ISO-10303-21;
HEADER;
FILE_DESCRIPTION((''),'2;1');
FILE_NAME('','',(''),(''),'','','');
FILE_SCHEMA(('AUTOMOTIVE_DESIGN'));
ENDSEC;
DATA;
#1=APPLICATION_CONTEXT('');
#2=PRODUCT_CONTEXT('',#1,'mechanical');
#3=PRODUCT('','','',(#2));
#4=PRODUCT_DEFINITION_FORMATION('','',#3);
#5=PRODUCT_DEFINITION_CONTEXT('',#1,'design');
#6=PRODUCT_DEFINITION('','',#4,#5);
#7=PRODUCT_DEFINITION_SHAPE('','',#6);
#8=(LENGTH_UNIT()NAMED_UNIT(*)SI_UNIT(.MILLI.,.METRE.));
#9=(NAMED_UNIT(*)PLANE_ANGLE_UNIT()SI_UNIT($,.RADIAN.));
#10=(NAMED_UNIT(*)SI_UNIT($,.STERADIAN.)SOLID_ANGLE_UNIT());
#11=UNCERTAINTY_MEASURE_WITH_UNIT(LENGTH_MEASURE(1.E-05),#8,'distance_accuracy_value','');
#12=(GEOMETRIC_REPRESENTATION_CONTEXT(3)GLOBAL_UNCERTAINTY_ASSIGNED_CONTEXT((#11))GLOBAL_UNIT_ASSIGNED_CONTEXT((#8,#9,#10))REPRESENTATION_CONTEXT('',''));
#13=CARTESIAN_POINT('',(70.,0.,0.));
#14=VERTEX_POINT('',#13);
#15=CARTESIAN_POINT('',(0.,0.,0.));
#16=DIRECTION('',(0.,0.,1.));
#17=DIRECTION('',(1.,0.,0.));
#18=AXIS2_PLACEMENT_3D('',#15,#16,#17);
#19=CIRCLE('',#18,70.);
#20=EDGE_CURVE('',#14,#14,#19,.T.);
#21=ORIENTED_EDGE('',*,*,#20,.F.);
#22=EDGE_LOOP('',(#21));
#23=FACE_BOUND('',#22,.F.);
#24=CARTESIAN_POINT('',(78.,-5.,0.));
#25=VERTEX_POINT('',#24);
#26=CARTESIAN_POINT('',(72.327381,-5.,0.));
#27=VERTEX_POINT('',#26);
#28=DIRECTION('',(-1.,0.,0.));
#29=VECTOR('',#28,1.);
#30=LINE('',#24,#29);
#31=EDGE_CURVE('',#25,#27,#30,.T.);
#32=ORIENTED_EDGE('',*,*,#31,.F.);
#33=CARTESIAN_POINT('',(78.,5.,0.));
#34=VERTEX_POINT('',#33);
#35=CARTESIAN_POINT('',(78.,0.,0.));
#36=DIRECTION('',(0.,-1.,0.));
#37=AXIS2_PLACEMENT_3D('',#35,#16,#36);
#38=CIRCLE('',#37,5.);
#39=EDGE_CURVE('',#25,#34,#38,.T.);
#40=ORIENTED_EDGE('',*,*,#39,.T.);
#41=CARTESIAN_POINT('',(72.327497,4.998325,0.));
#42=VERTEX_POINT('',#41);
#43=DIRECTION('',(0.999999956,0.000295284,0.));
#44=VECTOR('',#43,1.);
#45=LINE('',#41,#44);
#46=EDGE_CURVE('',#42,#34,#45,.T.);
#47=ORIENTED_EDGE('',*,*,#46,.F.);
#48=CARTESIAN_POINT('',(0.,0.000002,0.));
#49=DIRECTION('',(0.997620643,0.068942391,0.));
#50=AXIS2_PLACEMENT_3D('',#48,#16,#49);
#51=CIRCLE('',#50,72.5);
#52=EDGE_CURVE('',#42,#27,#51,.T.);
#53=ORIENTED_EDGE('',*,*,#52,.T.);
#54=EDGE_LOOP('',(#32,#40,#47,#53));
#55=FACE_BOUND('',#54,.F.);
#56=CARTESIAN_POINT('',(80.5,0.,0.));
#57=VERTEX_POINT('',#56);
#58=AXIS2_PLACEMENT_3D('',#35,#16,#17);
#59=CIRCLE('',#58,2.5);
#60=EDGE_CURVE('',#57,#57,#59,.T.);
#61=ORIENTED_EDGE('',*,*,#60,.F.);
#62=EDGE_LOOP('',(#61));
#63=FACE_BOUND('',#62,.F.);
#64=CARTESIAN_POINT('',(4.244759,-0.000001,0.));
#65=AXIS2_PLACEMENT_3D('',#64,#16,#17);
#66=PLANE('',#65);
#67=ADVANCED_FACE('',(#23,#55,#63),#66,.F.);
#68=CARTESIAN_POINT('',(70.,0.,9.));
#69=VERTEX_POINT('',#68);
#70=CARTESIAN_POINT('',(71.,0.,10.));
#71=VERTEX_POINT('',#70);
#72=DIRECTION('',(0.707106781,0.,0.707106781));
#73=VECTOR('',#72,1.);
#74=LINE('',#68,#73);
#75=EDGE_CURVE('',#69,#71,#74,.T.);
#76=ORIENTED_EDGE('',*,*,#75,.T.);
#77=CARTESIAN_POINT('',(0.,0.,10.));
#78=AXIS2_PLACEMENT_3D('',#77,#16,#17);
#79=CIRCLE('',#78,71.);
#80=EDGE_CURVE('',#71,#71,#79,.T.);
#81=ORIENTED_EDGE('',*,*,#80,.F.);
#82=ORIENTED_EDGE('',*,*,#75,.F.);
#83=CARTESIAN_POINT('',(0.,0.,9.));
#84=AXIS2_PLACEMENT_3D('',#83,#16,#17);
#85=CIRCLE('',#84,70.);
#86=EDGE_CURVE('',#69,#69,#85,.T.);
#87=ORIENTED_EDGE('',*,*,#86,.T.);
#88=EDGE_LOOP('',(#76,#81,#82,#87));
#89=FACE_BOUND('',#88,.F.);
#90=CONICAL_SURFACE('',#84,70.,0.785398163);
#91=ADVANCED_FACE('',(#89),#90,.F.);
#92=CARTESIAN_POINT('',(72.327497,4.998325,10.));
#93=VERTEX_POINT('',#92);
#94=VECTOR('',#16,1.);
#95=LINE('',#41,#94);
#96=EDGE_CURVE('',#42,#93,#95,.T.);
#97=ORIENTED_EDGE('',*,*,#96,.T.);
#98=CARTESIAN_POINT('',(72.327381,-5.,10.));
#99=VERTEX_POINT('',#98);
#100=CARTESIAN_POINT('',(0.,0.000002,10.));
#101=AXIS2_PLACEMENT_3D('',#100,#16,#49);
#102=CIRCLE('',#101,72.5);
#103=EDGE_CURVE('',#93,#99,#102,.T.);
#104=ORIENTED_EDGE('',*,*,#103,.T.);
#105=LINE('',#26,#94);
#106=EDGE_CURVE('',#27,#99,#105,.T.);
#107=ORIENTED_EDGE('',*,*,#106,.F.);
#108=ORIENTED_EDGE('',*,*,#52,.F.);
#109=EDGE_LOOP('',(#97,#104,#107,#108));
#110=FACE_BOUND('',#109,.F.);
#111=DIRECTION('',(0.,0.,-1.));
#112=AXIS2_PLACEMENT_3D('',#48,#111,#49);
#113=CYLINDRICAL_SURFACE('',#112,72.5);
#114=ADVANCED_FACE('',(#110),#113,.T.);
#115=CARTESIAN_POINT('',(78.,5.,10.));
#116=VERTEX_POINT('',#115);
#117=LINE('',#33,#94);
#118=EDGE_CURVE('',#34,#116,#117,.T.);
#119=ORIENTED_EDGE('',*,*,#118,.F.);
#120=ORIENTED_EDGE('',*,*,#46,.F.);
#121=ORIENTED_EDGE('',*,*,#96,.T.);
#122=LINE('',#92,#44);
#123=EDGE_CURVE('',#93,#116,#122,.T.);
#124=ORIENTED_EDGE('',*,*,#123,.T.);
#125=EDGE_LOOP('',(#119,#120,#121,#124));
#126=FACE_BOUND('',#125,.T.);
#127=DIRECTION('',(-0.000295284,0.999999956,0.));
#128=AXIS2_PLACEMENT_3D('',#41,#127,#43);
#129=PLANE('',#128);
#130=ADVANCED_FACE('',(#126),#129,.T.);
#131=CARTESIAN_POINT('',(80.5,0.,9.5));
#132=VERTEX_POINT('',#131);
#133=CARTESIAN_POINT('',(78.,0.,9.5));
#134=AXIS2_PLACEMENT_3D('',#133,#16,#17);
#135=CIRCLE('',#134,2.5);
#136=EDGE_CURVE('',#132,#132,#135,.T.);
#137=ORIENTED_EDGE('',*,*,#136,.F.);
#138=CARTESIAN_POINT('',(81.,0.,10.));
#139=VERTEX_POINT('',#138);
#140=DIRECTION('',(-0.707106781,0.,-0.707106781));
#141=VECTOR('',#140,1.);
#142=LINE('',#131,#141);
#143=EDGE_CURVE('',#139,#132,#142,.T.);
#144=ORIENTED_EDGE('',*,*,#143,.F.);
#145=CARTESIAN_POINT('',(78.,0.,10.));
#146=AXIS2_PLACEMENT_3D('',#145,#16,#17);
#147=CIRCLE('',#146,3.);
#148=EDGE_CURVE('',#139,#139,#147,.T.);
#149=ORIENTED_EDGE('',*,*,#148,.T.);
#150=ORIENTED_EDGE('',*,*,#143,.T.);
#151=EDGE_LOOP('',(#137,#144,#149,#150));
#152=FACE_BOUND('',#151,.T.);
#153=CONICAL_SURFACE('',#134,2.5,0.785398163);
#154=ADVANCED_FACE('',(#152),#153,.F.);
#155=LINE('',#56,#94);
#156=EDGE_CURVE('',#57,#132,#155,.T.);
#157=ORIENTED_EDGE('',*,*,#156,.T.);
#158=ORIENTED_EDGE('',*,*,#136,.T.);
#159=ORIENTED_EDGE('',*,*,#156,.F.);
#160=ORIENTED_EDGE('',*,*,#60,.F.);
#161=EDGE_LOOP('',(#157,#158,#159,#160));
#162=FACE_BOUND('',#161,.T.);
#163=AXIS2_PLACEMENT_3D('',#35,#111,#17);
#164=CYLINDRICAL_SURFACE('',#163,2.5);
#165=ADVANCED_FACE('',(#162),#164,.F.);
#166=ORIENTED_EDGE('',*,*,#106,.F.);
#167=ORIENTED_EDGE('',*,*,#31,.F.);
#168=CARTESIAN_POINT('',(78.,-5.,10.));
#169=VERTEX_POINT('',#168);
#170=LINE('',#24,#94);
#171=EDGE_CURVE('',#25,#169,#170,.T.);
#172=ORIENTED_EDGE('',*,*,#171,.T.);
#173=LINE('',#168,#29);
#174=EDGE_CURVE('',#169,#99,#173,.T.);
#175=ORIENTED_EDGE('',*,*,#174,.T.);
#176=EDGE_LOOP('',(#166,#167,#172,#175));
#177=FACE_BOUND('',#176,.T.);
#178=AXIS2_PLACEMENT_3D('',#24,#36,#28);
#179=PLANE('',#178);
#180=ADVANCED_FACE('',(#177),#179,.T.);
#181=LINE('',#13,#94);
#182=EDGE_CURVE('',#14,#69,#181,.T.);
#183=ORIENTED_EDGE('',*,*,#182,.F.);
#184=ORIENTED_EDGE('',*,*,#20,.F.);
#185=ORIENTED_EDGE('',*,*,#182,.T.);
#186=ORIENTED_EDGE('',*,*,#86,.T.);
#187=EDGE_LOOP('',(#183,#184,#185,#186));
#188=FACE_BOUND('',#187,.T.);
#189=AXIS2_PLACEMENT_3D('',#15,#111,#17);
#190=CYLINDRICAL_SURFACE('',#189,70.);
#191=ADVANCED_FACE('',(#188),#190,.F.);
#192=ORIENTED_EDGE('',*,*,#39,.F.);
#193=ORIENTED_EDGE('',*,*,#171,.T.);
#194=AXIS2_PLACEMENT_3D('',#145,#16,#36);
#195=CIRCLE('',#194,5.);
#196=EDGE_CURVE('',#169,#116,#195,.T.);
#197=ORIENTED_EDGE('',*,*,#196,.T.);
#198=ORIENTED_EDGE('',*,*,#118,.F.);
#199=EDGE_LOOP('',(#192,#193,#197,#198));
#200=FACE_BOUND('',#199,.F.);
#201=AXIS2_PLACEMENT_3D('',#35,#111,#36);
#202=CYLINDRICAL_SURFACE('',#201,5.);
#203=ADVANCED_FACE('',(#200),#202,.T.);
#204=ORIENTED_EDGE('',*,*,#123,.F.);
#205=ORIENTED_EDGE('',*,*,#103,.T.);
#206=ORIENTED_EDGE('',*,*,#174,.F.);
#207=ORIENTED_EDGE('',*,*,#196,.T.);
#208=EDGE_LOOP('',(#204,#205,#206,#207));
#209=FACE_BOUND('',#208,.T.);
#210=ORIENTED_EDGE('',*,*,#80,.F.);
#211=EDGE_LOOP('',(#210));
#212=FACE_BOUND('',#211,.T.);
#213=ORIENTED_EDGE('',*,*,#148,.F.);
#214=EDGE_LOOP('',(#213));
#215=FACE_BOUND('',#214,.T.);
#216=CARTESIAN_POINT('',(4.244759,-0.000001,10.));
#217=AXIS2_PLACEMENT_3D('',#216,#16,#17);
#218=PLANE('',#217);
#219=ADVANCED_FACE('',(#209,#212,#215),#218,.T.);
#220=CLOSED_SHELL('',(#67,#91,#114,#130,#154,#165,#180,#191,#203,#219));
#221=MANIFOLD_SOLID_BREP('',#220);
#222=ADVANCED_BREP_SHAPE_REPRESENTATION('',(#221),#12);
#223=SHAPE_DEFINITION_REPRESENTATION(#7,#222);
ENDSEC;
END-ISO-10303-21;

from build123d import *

# Parameters (mm, degrees)
SKETCH_R        = 70
SKETCH_R_2      = 2.5
PAD_DEPTH       = 10
CHAMFER_SIZE    = 1
CHAMFER001_SIZE = 0.5


with BuildPart() as part:
    # Sketch → Pad (new body)
    with BuildSketch(Plane.XY):
        with BuildLine():
            ThreePointArc((72.327497, 4.998325), (-72.5, 0.00084), (72.327381, -5))
            Line((78, -5), (72.327381, -5))
            ThreePointArc((78, -5), (83, 0), (78, 5))
            Line((72.327497, 4.998325), (78, 5))
        make_face()
        Circle(SKETCH_R, mode=Mode.SUBTRACT)
        with Locations((78, 0)):
            Circle(SKETCH_R_2, mode=Mode.SUBTRACT)
    extrude(amount=PAD_DEPTH)

    # Chamfer
    chamfer_edges = [part.edges().sort_by_distance(p)[0] for p in [
        (-70, 0, 10),
    ]]
    chamfer(chamfer_edges, length=CHAMFER_SIZE)

    # Chamfer001
    chamfer001_edges = [part.edges().sort_by_distance(p)[0] for p in [
        (75.5, 0, 10),
    ]]
    chamfer(chamfer001_edges, length=CHAMFER001_SIZE)


solid = part.part
